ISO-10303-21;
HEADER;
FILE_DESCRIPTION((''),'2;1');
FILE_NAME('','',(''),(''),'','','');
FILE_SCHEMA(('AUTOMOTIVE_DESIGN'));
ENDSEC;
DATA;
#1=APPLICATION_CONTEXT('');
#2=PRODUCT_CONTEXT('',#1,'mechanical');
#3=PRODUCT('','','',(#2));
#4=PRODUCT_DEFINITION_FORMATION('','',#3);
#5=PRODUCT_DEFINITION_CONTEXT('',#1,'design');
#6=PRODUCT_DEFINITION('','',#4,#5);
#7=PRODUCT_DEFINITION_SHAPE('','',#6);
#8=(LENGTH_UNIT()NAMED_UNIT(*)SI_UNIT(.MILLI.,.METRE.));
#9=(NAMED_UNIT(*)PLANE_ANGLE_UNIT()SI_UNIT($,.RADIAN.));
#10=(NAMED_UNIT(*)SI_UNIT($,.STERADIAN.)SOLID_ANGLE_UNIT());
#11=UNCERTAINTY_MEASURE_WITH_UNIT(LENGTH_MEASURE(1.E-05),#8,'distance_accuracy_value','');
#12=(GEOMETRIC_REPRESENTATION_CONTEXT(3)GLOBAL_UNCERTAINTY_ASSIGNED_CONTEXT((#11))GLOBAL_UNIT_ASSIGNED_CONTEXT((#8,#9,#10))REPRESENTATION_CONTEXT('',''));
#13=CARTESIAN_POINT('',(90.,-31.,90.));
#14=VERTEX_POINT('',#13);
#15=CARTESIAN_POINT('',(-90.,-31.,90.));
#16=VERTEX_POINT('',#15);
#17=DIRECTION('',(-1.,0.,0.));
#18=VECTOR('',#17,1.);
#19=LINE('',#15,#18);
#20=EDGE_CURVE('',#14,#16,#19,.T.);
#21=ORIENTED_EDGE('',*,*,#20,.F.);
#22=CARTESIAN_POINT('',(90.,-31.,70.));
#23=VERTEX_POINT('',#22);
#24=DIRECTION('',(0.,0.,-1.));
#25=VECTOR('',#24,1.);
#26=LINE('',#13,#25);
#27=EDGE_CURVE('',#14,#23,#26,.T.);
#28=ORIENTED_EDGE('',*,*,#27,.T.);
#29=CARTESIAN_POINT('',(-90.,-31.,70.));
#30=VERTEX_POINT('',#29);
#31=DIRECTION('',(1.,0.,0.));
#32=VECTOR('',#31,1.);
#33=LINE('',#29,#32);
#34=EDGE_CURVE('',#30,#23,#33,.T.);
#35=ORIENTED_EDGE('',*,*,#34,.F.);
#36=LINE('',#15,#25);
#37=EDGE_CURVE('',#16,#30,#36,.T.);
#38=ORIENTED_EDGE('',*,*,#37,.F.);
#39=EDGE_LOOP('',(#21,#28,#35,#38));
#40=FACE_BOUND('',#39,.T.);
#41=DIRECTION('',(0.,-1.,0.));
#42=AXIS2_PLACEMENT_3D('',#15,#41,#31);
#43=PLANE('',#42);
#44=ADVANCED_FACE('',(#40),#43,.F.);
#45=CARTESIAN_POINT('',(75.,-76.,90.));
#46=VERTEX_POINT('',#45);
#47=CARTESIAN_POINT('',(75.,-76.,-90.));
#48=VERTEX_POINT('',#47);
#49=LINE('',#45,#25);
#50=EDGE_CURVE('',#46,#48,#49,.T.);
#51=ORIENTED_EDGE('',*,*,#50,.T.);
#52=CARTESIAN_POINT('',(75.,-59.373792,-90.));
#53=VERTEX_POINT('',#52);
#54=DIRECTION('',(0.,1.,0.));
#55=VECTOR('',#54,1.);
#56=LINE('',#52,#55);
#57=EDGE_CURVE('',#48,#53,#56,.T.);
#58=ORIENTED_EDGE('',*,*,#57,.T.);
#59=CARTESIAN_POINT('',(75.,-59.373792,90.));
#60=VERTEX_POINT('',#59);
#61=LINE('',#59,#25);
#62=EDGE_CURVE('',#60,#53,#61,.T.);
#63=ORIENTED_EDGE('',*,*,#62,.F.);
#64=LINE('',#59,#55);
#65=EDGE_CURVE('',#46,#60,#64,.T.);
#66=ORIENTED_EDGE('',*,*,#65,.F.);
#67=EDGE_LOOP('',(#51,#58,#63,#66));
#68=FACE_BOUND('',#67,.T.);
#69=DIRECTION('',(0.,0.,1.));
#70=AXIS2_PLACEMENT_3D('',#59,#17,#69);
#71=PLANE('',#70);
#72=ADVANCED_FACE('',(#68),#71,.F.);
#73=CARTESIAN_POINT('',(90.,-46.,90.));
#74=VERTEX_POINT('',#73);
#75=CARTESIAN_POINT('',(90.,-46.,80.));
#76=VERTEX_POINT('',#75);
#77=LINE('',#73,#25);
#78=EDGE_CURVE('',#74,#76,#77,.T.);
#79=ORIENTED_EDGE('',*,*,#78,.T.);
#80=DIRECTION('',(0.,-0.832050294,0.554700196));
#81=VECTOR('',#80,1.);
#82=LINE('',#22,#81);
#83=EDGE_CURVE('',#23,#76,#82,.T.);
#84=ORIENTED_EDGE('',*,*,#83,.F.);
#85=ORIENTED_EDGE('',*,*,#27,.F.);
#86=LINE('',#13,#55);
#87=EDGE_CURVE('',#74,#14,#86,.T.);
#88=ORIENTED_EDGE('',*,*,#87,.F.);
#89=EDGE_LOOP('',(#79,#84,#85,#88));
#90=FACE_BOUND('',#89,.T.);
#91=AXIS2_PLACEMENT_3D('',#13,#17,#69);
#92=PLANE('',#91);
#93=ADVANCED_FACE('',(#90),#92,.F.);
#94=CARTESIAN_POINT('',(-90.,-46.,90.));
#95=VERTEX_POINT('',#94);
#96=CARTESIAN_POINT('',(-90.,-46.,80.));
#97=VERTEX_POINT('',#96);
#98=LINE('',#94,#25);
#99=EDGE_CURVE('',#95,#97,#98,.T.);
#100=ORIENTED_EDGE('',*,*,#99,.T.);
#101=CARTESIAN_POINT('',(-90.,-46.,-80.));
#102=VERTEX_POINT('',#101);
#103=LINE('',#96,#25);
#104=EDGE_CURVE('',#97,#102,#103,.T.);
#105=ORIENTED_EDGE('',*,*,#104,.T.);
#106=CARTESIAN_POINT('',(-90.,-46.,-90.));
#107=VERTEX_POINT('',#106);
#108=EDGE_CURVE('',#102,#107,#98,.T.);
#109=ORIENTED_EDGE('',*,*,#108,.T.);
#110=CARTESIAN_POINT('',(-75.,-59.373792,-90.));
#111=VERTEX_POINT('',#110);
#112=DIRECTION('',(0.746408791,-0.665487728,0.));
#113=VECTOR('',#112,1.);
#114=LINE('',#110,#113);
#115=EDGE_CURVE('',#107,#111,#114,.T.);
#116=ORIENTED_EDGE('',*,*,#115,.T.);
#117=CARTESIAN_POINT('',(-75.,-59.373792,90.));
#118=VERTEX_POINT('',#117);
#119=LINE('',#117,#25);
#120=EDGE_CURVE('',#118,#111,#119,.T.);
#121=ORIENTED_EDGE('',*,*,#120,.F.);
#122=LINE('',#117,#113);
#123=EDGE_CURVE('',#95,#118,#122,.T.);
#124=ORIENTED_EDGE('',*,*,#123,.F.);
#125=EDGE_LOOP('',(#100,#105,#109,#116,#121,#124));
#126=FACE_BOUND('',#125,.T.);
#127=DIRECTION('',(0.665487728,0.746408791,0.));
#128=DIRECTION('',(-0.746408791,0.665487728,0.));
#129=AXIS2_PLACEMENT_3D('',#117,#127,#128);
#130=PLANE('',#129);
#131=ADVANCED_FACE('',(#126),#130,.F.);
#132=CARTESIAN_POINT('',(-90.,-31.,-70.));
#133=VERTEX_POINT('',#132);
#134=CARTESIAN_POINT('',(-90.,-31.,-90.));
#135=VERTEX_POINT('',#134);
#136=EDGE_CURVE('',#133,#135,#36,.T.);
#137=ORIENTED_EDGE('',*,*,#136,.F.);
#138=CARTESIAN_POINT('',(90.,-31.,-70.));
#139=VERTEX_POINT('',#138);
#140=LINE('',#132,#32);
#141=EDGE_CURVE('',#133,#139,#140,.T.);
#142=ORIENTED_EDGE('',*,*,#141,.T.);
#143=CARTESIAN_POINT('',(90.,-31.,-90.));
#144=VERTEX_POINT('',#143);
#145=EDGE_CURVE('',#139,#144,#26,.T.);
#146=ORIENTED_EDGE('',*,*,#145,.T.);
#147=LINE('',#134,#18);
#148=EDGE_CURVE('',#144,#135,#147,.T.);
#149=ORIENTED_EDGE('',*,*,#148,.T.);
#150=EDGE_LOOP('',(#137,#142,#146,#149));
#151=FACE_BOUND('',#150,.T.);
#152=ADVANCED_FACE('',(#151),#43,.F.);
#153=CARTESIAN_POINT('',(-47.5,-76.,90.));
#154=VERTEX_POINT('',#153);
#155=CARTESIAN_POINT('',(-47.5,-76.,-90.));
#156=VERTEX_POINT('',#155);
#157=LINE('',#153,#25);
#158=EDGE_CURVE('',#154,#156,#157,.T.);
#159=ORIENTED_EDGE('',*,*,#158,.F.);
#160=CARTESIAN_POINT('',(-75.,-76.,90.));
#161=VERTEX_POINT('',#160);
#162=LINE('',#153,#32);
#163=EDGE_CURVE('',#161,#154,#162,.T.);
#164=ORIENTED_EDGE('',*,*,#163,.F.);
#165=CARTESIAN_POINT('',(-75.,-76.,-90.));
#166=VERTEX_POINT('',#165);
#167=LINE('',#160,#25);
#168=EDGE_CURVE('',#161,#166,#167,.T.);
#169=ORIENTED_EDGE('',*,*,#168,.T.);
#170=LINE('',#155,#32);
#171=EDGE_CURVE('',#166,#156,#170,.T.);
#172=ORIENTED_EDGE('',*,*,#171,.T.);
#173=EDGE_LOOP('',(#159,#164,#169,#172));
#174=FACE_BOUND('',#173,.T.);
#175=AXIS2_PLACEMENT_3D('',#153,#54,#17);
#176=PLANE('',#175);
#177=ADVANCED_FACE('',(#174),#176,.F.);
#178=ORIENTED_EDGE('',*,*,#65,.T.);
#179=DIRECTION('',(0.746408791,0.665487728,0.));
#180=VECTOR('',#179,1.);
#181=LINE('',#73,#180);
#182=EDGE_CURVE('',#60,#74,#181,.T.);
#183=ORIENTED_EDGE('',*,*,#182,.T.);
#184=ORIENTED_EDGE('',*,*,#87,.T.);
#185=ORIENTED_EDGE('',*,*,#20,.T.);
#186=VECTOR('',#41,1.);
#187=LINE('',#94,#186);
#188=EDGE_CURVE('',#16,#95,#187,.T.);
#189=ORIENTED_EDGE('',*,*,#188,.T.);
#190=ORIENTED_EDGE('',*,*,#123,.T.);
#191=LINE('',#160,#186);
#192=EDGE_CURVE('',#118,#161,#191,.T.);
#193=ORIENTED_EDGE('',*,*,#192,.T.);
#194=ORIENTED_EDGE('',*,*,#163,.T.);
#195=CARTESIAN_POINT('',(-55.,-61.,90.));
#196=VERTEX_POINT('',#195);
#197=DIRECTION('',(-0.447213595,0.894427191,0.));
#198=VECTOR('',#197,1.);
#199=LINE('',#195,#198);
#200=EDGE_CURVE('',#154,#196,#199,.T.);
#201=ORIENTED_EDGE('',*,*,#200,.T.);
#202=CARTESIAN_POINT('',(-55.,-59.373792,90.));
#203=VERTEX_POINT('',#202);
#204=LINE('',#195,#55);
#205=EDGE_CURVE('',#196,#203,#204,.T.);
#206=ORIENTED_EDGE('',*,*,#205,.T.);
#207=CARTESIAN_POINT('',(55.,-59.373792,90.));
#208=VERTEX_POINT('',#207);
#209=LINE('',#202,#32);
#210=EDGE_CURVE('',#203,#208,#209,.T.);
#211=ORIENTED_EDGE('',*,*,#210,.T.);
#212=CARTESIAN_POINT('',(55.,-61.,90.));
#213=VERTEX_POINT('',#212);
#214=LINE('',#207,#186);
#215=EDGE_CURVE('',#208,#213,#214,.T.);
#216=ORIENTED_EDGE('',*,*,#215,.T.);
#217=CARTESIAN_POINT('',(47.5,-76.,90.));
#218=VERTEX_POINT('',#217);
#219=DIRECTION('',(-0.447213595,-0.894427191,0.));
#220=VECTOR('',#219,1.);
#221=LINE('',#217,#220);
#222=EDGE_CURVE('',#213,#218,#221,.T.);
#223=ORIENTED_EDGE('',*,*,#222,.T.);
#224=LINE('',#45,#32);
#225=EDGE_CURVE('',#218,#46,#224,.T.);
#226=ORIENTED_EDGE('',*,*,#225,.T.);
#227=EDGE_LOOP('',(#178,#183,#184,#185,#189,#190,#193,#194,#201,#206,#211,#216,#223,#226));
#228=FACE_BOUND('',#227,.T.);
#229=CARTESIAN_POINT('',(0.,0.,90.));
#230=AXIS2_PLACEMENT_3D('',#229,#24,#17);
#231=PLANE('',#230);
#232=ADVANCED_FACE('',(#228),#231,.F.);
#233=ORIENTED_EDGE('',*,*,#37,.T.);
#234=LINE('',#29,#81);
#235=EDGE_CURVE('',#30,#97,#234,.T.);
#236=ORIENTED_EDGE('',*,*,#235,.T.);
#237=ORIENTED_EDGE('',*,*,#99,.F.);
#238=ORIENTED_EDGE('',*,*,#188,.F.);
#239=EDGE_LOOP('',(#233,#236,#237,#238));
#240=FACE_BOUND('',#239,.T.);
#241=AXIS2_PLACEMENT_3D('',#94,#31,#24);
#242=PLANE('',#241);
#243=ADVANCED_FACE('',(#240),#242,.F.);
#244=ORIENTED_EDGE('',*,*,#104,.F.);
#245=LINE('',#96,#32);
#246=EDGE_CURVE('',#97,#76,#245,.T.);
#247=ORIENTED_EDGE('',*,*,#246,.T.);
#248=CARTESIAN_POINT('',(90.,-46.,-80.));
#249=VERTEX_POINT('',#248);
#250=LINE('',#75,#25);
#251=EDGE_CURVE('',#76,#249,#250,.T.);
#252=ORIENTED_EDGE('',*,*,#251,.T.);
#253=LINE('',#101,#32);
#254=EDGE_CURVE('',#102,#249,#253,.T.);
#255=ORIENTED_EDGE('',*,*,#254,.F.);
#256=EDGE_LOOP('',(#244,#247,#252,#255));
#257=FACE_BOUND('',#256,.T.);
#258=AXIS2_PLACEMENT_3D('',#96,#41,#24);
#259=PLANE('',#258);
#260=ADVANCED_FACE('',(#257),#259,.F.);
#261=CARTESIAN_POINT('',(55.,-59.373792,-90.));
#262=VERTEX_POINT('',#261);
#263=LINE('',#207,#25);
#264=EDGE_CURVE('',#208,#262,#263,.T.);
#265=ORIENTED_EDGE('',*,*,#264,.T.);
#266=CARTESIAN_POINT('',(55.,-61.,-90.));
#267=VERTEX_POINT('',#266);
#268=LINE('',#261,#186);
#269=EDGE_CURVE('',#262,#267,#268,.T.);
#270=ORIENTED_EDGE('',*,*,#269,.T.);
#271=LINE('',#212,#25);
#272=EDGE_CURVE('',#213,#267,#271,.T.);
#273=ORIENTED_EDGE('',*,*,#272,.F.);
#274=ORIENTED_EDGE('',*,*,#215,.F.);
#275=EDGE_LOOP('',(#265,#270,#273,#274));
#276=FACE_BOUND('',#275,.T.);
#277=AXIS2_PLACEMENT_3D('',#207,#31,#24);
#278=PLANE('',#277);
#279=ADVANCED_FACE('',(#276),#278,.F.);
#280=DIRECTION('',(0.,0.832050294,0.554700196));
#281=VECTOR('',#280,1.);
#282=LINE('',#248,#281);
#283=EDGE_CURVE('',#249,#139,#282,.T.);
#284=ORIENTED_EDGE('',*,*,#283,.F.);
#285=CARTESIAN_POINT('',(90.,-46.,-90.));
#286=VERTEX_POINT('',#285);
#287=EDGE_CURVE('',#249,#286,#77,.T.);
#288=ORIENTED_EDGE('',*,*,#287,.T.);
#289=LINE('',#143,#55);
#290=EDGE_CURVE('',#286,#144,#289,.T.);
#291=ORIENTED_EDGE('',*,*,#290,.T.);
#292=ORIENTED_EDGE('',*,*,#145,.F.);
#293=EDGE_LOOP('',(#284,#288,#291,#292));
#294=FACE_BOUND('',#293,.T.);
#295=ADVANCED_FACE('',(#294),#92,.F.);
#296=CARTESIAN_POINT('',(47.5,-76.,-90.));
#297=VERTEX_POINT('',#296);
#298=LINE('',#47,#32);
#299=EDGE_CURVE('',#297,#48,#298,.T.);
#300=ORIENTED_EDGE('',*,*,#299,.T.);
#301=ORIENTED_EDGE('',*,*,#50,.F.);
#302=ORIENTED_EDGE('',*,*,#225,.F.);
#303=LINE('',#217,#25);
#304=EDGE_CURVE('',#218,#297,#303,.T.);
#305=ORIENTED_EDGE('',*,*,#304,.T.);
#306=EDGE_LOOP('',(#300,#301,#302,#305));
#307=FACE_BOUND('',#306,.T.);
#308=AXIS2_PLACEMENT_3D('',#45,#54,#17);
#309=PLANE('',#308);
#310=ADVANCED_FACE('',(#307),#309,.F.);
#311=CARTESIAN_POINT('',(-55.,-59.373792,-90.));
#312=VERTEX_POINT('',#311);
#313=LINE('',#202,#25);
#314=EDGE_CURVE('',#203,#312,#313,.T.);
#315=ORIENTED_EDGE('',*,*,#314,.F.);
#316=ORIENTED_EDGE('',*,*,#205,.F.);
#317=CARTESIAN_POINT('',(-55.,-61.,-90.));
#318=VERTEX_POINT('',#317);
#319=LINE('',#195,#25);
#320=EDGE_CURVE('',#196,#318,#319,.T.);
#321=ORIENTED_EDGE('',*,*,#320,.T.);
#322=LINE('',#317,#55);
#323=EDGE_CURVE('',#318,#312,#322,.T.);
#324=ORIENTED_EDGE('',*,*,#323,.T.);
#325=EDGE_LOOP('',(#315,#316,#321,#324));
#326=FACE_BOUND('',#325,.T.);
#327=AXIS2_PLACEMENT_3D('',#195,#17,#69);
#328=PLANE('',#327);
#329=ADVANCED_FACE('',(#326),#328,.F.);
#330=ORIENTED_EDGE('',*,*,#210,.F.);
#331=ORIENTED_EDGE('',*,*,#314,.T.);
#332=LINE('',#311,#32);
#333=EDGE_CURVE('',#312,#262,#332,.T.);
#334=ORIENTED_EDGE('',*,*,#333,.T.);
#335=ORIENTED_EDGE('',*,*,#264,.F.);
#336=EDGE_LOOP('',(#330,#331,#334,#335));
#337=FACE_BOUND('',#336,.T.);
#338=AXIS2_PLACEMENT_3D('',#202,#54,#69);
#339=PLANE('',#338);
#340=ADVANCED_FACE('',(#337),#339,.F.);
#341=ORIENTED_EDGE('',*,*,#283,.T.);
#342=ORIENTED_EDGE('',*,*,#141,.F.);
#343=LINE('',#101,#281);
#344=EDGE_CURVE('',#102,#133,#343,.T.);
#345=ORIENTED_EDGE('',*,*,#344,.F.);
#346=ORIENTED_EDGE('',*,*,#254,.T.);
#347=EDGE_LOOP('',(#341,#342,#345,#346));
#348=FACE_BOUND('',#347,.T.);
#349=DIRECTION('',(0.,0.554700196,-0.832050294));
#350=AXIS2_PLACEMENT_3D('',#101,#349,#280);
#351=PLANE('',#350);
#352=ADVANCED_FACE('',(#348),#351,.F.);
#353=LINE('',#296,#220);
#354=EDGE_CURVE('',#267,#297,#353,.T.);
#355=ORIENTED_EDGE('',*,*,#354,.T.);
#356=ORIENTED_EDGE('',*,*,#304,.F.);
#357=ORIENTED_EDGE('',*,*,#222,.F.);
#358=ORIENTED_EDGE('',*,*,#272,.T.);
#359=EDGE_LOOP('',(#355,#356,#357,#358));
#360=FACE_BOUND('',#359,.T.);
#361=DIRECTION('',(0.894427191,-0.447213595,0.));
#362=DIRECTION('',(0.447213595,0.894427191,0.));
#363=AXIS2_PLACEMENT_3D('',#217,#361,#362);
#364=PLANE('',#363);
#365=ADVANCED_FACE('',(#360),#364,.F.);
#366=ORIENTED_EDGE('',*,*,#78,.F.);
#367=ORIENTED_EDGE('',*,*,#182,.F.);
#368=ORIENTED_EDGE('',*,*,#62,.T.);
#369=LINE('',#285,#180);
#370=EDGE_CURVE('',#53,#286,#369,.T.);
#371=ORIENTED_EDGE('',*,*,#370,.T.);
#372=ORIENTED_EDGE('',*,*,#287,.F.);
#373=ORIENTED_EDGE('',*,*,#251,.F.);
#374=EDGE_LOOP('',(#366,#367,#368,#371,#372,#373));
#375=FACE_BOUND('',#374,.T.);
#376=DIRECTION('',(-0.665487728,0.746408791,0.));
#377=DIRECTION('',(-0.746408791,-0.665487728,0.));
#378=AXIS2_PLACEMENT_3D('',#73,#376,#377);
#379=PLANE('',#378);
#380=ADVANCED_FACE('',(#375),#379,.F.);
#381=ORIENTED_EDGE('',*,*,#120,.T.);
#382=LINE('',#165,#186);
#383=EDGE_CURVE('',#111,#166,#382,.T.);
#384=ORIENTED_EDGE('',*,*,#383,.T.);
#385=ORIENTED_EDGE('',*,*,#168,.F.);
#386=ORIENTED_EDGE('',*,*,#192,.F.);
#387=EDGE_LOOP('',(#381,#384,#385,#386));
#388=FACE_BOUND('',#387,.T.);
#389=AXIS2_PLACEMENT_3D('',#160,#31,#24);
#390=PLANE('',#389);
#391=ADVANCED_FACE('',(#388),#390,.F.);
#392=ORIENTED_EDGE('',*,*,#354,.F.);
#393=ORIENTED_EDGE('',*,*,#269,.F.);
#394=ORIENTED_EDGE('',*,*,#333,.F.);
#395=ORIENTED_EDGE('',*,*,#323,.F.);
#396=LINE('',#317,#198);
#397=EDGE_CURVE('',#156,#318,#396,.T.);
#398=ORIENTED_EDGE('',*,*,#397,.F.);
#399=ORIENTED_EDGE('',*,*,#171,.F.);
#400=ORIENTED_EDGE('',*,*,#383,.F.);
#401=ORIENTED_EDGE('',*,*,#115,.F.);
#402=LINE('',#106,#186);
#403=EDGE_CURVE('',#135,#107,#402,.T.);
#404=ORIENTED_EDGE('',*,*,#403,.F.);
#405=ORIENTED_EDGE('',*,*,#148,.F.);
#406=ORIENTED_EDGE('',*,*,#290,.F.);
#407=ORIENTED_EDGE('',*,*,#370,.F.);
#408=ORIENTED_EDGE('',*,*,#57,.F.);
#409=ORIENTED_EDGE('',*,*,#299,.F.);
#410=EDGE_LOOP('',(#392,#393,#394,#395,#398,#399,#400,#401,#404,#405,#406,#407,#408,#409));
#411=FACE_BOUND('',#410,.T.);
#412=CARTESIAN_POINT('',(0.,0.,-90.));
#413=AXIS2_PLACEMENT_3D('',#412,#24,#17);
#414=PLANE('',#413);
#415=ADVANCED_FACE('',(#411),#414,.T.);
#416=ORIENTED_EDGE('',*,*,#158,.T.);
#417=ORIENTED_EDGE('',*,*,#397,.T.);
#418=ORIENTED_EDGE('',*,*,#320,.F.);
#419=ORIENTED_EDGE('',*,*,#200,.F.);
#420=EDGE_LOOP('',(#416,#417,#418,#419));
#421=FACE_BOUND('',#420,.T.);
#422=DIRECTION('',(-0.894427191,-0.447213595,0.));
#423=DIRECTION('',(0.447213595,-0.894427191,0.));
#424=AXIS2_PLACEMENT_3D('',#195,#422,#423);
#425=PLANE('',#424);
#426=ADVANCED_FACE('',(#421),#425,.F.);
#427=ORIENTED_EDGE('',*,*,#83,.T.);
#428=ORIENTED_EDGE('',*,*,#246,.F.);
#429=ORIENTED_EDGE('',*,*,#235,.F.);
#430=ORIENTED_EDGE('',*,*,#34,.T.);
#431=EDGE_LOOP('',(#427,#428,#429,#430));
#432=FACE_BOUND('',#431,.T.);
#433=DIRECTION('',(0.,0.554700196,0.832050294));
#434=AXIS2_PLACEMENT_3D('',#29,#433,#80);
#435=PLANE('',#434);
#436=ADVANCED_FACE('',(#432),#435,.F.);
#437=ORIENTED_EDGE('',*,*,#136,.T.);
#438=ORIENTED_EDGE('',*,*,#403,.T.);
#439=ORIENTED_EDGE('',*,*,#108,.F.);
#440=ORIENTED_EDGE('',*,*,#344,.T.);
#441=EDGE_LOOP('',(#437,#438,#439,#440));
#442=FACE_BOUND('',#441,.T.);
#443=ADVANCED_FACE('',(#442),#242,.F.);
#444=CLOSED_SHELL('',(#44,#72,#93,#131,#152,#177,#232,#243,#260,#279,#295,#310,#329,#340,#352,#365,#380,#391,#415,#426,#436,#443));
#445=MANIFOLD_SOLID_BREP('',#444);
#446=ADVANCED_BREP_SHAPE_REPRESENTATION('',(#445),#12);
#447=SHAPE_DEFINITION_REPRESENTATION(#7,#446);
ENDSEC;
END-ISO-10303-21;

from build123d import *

# Parameters (mm, degrees)
BOSS_EXTRUDE1_DEPTH = 90
CUT_EXTRUDE1_DEPTH  = 180


with BuildPart() as part:
    # Sketch1 → Boss-Extrude1 (new body, symmetric)
    with BuildSketch(Plane.XY):
        Polygon((-55, -61), (-47.5, -76), (-75, -76), (-75, -59.373791994), (-90, -46), (-90, -31), (90, -31), (90, -46), (75, -59.373791994), (75, -76), (47.5, -76), (55, -61), (55, -59.373791994), (-55, -59.373791994), align=None)
    extrude(amount=BOSS_EXTRUDE1_DEPTH, both=True)

    # Sketch2 → Cut-Extrude1 (cut)
    with BuildSketch(Plane(origin=(90, 0, 0), x_dir=(0, 0, -1), z_dir=(1, 0, 0))):
        Polygon((-70, -31), (-80, -46), (80, -46), (70, -31), align=None)
    extrude(amount=-CUT_EXTRUDE1_DEPTH, mode=Mode.SUBTRACT)


solid = part.part
